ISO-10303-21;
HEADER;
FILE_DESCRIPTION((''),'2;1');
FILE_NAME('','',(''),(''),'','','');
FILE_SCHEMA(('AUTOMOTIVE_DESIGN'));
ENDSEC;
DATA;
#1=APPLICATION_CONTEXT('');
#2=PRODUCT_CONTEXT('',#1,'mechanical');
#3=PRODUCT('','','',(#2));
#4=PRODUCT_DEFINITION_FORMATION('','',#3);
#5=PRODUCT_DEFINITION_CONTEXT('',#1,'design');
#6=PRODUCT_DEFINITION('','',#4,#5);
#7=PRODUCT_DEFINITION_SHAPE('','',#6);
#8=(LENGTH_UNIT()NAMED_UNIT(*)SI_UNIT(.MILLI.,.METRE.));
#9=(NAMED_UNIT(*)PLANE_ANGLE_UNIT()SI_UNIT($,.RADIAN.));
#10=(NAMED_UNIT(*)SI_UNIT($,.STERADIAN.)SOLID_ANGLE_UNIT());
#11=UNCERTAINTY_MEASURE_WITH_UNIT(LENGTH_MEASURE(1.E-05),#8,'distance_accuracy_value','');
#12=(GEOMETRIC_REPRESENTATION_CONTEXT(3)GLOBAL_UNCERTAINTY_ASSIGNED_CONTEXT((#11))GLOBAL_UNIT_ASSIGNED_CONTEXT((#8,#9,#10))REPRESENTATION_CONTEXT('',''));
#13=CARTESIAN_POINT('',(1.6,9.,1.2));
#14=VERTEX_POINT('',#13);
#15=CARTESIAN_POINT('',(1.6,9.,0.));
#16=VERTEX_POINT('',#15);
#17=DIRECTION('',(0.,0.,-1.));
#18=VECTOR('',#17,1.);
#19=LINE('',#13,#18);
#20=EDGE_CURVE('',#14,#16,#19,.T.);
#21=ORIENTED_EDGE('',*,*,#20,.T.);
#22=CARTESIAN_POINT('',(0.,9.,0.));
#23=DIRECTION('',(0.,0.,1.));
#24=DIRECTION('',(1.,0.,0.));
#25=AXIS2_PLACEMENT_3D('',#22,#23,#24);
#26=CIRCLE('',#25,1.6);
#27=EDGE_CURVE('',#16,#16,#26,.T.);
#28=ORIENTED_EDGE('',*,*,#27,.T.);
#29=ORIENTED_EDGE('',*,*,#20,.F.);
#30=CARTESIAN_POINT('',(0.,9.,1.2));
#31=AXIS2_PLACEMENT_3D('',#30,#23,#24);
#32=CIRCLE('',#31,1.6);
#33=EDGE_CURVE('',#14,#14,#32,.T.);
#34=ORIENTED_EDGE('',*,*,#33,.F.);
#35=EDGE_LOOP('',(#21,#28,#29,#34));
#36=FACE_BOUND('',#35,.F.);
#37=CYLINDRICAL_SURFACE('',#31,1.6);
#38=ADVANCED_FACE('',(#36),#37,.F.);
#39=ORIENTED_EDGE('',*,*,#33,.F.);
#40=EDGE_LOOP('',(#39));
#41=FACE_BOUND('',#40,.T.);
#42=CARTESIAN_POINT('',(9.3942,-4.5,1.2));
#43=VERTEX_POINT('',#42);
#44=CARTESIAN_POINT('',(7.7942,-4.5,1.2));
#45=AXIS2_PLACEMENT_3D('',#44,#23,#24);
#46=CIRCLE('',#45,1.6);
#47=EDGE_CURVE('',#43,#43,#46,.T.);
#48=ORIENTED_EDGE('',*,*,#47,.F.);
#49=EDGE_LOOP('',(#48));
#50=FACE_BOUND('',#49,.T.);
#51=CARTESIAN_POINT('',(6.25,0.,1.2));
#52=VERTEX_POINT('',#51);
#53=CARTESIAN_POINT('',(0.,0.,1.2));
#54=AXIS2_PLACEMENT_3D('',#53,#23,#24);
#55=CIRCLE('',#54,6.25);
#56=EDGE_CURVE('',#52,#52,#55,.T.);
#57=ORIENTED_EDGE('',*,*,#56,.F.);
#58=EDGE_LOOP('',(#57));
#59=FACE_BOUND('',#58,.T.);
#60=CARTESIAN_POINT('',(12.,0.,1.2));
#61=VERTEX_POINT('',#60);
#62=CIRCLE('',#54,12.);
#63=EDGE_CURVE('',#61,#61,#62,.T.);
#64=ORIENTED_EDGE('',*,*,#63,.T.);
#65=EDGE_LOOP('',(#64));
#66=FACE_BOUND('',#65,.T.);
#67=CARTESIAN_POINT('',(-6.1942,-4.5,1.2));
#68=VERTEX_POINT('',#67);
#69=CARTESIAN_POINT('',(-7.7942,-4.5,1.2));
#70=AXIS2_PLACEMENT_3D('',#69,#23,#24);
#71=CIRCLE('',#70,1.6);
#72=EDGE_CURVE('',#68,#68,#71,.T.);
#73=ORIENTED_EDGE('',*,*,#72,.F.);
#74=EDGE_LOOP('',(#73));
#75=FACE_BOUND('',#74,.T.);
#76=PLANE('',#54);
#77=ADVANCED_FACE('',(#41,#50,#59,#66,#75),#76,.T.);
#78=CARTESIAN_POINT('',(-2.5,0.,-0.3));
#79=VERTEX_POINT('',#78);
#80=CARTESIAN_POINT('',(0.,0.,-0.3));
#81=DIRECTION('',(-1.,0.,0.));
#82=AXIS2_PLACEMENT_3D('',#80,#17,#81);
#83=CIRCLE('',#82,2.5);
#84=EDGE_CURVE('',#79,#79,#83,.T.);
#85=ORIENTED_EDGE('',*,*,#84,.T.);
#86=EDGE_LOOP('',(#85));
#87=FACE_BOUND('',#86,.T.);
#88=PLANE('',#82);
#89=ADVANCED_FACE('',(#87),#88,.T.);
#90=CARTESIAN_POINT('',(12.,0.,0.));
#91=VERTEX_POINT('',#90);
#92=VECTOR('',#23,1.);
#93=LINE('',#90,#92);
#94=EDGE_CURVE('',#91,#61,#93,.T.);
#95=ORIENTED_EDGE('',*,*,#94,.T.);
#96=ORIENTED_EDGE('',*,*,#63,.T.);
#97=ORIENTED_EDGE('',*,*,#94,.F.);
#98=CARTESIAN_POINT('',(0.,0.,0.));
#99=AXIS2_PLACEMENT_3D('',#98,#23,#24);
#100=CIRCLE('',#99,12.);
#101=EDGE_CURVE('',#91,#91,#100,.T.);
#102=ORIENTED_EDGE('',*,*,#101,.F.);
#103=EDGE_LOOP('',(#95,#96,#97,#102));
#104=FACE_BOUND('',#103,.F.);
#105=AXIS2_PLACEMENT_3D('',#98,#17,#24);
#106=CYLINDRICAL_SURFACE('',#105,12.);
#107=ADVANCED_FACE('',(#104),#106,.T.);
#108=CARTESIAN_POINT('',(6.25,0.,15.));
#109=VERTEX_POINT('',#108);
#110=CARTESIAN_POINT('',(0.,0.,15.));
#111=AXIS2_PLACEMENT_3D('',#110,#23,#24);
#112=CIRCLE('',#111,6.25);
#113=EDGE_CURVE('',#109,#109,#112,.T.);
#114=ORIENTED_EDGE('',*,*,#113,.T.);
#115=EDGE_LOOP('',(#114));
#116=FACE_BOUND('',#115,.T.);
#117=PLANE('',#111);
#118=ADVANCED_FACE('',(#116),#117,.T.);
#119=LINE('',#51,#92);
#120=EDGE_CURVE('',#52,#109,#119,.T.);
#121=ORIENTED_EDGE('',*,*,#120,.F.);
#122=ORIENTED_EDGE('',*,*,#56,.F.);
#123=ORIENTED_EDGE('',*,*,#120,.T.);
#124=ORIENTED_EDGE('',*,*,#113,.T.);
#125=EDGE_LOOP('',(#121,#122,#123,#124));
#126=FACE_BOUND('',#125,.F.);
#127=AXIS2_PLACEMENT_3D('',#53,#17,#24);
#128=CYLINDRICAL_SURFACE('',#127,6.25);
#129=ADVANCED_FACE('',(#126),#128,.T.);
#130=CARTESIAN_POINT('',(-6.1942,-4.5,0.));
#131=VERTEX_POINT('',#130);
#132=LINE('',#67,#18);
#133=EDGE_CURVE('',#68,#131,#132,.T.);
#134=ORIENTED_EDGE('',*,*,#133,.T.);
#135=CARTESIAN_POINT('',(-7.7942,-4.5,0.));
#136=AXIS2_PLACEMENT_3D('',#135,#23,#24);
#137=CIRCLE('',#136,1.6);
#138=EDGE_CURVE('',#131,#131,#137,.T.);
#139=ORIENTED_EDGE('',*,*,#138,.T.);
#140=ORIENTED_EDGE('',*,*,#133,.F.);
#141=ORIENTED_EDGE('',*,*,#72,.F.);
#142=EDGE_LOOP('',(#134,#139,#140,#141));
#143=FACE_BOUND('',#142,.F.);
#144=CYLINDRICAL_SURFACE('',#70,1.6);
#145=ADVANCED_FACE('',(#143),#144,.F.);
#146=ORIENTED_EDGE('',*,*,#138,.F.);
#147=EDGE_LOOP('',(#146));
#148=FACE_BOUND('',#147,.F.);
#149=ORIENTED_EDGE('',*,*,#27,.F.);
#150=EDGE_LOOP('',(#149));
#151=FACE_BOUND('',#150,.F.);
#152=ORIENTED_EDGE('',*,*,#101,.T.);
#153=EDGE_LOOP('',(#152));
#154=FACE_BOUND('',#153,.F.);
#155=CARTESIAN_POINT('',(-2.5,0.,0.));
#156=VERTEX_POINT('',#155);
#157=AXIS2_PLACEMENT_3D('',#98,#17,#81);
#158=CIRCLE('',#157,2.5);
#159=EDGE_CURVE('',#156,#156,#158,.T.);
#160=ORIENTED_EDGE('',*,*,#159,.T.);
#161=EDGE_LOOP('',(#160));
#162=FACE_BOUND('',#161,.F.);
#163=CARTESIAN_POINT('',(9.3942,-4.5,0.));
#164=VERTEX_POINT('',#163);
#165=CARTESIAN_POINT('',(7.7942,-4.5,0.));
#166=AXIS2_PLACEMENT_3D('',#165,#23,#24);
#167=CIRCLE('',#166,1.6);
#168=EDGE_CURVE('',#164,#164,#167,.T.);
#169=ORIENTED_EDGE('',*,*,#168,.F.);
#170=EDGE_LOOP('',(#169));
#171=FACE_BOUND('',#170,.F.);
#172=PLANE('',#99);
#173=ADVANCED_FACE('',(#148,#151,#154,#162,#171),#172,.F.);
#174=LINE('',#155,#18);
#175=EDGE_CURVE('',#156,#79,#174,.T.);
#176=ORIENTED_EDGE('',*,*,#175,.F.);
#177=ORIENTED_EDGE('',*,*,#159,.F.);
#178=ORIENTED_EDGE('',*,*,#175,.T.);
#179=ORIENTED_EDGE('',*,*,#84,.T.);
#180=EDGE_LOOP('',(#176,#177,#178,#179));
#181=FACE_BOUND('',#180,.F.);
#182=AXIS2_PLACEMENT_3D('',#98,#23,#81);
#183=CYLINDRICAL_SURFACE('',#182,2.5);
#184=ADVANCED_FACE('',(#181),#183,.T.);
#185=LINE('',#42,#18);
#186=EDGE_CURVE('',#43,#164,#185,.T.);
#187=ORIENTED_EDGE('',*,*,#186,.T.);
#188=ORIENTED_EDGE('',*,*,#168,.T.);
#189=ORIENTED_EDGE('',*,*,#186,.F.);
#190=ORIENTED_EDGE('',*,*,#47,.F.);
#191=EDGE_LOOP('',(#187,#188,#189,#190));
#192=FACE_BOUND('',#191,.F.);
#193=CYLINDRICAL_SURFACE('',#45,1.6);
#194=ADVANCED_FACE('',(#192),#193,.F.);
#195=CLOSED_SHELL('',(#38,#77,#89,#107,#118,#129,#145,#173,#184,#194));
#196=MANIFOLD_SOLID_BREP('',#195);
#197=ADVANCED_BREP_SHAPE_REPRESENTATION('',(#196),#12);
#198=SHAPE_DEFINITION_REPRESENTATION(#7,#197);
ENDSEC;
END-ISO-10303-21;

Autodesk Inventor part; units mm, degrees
ref_plane "YZ Plane" through (0, 0, 0) normal (1, 0, 0) x (0, 1, 0)
ref_plane "XZ Plane" through (0, 0, 0) normal (0, 1, 0) x (-1, 0, 0)
ref_plane "XY Plane" through (0, 0, 0) normal (0, 0, 1) x (1, 0, 0)
sketch "Náčrt1" plane through (0, 0, 0) normal (0, 0, 1) x (1, 0, 0)
  circle A0 centre (0, 0) radius 12
  dimension "d0" = 24
extrude "Vysunutí1" add sketch "Náčrt1" along normal blind 1.2
sketch "Náčrt2" plane through (0, 0, 1.2) normal (0, 0, 1) x (1, 0, 0)
  circle A0 centre (0, 0) radius 9 construction
  circle A1 centre (0, 9) radius 1.6
  circle A2 centre (-7.7942, -4.5) radius 1.6
  circle A3 centre (7.7942, -4.5) radius 1.6
  dimension "d3" = 18
  dimension "d4" = 3.2
  dimension "d7" = 360
extrude "Vysunutí2" cut sketch "Náčrt2" against normal through all
sketch "Náčrt3" plane through (0, 0, 1.2) normal (0, 0, 1) x (1, 0, 0)
  circle A0 centre (0, 0) radius 6.25
  dimension "d11" = 12.5
extrude "Vysunutí3" add sketch "Náčrt3" along normal blind 13.8
sketch "Náčrt4" plane through (0, 0, 0) normal (0, 0, -1) x (-1, 0, 0)
  circle A0 centre (0, 0) radius 2.5
  dimension "d14" = 5
extrude "Vysunutí4" add sketch "Náčrt4" along normal blind 0.3
properties part number "OtocnaKontaktniPruchodka"
